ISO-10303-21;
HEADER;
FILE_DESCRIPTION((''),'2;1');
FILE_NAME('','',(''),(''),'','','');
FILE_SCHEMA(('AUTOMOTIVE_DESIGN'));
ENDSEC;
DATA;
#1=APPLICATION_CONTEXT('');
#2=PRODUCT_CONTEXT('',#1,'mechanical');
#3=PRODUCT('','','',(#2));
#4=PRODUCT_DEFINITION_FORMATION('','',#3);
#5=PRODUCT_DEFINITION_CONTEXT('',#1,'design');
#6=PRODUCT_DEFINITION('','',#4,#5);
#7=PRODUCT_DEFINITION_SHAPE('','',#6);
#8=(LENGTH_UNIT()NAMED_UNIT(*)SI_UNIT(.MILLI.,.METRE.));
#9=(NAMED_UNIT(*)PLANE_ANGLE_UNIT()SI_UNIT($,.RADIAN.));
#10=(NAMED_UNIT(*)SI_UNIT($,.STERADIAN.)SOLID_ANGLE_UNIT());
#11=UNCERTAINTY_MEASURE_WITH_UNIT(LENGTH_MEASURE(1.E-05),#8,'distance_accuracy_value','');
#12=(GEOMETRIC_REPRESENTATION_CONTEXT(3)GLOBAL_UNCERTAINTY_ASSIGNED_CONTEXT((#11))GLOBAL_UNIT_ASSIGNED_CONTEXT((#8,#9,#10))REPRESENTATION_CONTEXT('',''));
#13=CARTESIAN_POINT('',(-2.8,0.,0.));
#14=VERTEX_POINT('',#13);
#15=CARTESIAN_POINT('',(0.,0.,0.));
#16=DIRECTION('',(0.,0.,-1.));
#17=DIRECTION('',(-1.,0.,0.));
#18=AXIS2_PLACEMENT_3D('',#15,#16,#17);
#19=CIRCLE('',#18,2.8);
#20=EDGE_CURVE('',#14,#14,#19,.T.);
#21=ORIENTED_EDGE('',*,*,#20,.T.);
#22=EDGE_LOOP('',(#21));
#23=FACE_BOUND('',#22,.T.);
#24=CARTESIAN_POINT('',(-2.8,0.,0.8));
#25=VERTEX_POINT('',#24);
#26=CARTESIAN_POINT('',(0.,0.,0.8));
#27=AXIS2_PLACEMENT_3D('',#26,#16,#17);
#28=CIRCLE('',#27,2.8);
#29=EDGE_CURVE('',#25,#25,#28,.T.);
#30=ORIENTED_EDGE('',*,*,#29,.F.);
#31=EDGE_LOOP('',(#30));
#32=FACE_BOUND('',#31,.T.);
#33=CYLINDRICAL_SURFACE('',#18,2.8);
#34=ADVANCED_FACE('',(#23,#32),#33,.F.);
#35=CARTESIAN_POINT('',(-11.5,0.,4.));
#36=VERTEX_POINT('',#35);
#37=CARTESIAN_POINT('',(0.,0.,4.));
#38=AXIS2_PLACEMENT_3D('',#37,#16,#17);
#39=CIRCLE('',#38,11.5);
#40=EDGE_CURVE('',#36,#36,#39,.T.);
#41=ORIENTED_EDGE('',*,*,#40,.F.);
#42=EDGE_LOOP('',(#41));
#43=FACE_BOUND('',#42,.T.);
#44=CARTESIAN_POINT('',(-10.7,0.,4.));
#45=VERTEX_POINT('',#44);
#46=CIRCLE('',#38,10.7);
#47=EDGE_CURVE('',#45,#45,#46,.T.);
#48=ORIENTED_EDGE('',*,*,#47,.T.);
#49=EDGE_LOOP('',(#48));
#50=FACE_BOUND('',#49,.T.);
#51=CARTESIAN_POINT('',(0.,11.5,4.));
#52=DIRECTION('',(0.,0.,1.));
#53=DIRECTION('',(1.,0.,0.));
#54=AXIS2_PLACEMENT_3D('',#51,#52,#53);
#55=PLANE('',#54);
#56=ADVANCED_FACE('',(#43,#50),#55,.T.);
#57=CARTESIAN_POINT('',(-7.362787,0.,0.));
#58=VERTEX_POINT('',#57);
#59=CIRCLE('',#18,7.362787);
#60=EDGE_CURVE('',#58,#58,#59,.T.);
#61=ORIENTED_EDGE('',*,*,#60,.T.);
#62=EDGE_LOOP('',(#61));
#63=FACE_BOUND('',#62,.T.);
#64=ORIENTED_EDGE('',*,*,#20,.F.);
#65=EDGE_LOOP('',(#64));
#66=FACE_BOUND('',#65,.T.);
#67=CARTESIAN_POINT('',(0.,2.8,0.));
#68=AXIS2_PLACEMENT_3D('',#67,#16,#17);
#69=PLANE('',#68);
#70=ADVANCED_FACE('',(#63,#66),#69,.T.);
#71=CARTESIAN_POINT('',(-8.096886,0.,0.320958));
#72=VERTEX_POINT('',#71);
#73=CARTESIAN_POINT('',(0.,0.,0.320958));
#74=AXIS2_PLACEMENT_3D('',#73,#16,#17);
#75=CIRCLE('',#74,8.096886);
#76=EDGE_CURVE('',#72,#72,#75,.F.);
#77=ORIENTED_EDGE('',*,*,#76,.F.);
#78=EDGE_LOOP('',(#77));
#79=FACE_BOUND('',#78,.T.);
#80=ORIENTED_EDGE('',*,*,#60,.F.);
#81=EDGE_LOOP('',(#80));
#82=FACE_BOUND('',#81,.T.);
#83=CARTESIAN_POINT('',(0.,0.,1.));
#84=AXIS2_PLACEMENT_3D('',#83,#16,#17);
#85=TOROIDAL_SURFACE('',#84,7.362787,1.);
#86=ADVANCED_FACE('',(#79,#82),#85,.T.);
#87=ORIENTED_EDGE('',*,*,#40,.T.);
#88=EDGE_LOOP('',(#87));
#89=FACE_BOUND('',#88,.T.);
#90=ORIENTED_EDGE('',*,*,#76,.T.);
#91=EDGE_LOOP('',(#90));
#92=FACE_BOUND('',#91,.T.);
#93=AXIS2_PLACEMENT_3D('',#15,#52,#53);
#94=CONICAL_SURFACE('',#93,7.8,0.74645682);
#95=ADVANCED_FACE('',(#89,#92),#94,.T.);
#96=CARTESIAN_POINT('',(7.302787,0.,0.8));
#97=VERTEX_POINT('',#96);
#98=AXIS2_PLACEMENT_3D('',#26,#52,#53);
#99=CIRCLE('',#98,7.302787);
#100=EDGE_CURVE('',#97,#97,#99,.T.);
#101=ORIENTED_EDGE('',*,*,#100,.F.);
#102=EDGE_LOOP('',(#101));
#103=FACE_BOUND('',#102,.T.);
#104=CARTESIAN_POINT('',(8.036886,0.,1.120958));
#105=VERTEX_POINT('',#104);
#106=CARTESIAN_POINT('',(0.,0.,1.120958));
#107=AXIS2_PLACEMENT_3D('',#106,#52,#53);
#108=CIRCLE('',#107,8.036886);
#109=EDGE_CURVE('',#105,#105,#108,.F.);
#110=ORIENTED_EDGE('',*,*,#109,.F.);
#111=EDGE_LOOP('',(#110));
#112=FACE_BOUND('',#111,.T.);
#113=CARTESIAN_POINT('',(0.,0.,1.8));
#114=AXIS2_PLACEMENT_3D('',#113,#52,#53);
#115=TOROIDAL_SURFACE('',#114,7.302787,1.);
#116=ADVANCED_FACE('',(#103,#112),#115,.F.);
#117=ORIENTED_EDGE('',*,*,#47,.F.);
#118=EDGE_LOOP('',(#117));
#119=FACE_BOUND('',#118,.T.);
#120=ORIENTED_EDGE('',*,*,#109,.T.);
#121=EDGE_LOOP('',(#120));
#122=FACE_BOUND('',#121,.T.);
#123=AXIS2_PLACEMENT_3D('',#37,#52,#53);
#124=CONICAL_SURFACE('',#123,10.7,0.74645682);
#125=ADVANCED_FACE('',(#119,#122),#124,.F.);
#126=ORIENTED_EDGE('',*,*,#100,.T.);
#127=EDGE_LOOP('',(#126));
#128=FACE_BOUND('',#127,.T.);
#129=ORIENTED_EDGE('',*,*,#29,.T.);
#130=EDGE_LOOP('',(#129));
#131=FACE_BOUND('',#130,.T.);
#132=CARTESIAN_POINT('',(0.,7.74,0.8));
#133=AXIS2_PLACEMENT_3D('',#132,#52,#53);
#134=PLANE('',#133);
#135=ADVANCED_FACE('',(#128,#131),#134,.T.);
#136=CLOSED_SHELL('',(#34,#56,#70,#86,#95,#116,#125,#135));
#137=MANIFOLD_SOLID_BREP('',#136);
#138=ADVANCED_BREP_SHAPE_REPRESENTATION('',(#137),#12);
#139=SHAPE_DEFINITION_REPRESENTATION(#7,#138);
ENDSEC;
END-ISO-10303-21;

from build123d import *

# Parameters (mm, degrees)
FILLET_1_R = 1


with BuildPart() as part:
    # Эскиз4 → Повернуть1 (revolve)
    with BuildSketch(Plane(origin=(0, 0, 0), x_dir=(0, 0, -1), z_dir=(1, 0, 0)), mode=Mode.PRIVATE) as revolve_1_sk:
        Polygon((0, 2.8), (0, 7.8), (-4, 11.5), (-4, 10.7), (-0.8, 7.74), (-0.8, 2.8), align=None)
    revolve(revolve_1_sk.sketch.rotate(Axis((0, 0, 0), (0, 0, 1)), 90), axis=Axis((0, 0, 0), (0, 0, 1)))

    # Скругление1
    fillet_1_edges = [part.edges().sort_by_distance(p)[0] for p in [
        (7.74, 0, 0.8),
        (7.8, 0, 0),
    ]]
    fillet(fillet_1_edges, radius=FILLET_1_R)


solid = part.part
